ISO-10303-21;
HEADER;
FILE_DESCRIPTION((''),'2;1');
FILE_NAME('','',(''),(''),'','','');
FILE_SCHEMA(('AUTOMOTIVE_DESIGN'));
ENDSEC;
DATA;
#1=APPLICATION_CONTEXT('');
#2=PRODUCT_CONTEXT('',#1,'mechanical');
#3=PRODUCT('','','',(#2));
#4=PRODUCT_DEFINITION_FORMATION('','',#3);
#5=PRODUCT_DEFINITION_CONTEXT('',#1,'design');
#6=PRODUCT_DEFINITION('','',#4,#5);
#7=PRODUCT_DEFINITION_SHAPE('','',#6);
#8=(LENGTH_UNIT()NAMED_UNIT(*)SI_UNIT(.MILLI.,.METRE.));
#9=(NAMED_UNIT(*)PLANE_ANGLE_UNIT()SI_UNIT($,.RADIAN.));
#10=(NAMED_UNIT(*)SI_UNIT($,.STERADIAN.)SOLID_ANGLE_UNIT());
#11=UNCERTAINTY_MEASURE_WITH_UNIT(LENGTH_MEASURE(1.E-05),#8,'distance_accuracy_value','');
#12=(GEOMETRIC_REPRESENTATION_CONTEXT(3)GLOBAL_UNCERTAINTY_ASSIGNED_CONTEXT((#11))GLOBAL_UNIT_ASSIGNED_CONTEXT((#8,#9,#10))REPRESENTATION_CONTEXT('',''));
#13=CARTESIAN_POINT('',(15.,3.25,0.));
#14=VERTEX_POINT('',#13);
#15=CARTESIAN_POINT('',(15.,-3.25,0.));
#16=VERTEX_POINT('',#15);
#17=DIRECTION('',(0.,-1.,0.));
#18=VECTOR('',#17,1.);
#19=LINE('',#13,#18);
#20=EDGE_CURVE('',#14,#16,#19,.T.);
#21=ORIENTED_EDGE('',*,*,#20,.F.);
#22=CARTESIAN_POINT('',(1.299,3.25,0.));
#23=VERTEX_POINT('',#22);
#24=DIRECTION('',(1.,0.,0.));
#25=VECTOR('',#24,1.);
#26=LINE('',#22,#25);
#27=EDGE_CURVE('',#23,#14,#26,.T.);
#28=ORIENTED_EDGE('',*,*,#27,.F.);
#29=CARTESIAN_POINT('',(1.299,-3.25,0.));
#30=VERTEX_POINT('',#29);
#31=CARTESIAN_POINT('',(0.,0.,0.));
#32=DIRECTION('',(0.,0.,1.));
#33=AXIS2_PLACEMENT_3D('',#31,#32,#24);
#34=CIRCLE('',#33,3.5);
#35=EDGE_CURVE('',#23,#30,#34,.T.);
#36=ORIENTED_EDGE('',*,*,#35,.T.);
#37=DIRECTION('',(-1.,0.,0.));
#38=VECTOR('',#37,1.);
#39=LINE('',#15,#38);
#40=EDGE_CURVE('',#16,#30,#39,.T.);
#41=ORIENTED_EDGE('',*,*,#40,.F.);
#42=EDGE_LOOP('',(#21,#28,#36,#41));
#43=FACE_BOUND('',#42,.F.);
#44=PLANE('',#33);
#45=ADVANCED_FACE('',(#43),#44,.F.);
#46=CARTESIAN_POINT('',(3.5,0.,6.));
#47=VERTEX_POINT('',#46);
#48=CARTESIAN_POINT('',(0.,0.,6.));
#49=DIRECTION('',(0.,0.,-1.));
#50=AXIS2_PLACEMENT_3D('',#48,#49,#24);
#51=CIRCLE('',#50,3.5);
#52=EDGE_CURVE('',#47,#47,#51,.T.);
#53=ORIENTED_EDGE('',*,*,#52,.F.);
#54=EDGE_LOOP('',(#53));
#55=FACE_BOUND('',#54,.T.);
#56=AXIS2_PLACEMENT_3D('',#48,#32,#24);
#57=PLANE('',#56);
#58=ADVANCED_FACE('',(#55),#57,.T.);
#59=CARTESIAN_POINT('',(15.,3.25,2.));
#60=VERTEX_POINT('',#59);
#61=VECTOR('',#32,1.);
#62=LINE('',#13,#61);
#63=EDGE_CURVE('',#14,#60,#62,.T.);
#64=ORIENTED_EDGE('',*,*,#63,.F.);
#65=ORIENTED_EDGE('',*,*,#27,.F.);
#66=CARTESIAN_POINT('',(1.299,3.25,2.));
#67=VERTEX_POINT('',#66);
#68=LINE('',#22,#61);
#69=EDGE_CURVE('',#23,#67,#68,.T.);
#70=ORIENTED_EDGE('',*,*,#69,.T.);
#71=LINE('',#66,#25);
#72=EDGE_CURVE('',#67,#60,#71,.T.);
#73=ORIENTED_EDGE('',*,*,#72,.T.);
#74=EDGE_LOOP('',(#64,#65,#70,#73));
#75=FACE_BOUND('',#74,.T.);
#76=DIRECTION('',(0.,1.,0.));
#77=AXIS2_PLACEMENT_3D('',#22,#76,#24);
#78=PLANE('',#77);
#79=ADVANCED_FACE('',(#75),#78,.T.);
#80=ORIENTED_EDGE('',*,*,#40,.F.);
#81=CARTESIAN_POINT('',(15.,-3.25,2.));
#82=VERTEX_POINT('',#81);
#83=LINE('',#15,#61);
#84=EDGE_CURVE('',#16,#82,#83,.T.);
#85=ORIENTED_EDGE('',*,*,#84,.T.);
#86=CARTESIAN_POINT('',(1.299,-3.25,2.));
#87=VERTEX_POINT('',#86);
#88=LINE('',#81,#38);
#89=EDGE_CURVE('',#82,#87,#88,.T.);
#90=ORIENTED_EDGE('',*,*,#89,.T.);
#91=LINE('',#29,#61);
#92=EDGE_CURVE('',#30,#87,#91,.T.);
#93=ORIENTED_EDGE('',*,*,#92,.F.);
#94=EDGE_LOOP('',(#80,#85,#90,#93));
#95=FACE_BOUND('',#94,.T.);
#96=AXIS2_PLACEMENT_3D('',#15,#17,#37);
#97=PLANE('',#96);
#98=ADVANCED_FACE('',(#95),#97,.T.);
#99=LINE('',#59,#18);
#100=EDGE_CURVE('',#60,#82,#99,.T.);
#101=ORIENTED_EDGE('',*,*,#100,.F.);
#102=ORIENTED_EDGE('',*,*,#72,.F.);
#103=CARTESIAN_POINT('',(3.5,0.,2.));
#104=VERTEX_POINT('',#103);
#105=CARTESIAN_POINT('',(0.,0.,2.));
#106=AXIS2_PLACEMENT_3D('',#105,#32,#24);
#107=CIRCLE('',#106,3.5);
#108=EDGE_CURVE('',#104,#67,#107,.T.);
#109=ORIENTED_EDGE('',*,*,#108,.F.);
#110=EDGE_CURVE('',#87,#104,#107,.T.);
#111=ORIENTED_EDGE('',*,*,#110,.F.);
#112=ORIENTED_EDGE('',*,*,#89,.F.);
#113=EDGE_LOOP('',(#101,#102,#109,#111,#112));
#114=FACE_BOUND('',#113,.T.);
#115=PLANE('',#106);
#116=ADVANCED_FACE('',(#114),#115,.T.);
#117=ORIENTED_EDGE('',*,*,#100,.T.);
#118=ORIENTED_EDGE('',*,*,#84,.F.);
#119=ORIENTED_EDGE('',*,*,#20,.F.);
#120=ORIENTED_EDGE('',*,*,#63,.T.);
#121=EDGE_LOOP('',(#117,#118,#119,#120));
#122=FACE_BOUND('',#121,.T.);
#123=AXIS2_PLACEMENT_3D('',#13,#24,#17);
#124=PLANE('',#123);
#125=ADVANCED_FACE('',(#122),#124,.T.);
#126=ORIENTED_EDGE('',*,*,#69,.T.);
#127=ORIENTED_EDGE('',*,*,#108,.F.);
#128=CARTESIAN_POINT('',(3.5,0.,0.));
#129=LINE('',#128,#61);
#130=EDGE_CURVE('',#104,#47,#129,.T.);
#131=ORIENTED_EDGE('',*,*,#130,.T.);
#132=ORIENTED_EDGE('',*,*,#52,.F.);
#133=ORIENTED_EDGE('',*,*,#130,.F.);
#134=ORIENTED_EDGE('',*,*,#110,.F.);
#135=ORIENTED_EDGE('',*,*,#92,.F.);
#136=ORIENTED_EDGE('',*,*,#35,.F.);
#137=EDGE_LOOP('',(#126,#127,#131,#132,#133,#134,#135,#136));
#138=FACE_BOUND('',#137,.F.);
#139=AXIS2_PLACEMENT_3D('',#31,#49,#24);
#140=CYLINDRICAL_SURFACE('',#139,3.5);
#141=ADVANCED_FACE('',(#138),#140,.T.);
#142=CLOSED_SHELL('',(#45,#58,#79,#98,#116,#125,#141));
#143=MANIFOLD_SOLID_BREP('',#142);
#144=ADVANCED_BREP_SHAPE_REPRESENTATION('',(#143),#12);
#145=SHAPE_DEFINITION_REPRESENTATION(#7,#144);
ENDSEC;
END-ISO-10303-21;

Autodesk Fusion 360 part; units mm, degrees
sketch "Sketch1" plane through (0, 0, 0) normal (0, 0, 1) x (1, 0, 0)
  circle A0 centre (0, 0) radius 3.5
  line L0 (1.299, 3.25) -> (15, 3.25)
  line L1 (15, 3.25) -> (15, -3.25)
  line L2 (15, -3.25) -> (1.299, -3.25)
  line L3 (0, 0) -> (-14.556, 0) construction
  dimension "d1" = 7
  dimension "d2" = 13.701
  dimension "d3" = 6.5
extrude "Extrude1" add sketch "Sketch1" along normal blind 6 contours A0
extrude "Extrude2" add sketch "Sketch1" along normal blind 2 contours A0 L0 L1 L2
